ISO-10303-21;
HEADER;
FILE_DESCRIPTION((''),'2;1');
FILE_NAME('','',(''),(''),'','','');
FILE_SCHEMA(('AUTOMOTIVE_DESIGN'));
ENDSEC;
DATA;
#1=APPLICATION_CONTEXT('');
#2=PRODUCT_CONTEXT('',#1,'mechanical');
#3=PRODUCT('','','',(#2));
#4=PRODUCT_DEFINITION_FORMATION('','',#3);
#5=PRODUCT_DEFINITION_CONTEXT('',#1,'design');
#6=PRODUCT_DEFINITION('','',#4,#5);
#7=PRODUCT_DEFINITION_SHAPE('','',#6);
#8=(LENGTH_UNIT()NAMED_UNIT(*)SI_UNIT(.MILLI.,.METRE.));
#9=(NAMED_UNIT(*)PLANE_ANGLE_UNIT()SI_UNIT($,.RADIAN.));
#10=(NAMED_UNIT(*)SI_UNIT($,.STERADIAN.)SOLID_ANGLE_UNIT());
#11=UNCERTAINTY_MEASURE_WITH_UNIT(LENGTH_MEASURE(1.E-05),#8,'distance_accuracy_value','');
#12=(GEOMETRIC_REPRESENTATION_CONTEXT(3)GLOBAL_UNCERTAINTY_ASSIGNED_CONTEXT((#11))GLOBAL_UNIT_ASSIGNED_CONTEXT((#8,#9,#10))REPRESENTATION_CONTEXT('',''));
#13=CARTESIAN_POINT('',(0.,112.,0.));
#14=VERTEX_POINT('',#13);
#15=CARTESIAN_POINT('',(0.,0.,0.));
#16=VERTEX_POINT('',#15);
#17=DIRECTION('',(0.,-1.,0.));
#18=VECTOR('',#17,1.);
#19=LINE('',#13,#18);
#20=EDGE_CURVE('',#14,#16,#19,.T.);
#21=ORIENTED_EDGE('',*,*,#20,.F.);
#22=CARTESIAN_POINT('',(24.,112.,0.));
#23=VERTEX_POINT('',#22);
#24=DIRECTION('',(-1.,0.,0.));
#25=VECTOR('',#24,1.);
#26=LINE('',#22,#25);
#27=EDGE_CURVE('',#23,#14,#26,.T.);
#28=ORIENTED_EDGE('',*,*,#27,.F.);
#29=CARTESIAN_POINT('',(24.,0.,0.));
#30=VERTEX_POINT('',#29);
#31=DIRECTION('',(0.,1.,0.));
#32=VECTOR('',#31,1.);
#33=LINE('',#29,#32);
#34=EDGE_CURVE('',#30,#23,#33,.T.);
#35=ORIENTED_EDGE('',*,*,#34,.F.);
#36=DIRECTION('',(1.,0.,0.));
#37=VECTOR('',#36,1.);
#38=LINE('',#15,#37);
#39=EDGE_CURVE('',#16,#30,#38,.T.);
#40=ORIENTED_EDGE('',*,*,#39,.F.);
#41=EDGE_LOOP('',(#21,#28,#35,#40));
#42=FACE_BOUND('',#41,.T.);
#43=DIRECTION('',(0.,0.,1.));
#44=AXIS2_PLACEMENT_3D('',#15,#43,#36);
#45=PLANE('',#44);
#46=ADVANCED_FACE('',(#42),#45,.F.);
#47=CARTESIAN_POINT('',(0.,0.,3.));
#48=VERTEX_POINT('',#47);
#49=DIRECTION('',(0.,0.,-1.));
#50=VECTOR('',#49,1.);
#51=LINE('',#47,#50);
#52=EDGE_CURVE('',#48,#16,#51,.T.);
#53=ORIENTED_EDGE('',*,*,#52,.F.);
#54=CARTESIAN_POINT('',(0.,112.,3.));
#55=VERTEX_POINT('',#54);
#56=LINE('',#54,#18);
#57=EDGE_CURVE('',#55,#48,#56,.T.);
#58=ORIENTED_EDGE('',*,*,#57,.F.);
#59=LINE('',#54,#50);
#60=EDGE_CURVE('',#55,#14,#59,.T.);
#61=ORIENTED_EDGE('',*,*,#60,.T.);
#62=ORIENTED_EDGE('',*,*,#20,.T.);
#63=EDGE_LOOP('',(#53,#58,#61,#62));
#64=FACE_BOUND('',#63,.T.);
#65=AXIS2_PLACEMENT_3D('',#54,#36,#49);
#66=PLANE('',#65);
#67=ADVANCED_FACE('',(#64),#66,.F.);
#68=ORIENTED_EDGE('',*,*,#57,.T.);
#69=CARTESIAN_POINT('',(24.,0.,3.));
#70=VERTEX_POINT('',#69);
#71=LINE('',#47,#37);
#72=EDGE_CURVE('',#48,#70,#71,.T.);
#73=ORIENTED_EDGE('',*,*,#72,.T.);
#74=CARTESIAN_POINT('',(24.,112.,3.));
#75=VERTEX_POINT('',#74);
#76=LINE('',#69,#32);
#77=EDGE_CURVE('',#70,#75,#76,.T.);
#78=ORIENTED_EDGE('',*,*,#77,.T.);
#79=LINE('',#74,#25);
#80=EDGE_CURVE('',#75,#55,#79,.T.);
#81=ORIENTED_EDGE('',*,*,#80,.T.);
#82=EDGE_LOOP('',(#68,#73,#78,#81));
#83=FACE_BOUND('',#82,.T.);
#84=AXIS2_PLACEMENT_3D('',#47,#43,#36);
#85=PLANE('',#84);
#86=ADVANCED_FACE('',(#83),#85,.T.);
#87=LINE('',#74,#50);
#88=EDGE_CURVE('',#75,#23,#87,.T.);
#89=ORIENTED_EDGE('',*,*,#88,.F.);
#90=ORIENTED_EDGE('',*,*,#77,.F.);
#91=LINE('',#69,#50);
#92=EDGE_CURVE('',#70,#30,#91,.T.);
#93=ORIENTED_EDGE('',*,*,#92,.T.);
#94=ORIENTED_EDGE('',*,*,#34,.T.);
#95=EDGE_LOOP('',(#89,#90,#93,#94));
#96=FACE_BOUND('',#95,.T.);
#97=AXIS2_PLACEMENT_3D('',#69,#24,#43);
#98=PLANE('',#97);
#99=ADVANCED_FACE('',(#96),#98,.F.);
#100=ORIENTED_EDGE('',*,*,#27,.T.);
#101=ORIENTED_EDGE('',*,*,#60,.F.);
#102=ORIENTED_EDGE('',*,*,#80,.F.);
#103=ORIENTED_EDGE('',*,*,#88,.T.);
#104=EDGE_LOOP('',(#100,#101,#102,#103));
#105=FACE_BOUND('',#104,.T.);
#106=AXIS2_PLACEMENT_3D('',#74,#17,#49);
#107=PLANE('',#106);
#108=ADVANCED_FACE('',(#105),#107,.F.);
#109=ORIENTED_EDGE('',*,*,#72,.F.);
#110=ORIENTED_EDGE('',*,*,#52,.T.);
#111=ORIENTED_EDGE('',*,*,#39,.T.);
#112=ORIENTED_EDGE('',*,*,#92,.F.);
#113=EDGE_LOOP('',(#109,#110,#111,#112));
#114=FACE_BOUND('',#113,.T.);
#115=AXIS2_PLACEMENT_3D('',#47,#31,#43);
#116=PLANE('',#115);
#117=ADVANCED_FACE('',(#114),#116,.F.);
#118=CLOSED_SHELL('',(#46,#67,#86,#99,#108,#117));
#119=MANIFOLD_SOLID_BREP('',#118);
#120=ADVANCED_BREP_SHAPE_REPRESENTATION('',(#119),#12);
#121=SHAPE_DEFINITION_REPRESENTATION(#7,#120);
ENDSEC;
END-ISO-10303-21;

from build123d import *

# Parameters (mm, degrees)
SKETCH_1_W         = 24
SKETCH_1_H         = 112
BLOCKEXTRUDE_DEPTH = 3


with BuildPart() as part:
    # 草图1 → BlockExtrude (new body)
    with BuildSketch(Plane.XY):
        with Locations((12, 56)):
            Rectangle(SKETCH_1_W, SKETCH_1_H)
    extrude(amount=BLOCKEXTRUDE_DEPTH)


solid = part.part
